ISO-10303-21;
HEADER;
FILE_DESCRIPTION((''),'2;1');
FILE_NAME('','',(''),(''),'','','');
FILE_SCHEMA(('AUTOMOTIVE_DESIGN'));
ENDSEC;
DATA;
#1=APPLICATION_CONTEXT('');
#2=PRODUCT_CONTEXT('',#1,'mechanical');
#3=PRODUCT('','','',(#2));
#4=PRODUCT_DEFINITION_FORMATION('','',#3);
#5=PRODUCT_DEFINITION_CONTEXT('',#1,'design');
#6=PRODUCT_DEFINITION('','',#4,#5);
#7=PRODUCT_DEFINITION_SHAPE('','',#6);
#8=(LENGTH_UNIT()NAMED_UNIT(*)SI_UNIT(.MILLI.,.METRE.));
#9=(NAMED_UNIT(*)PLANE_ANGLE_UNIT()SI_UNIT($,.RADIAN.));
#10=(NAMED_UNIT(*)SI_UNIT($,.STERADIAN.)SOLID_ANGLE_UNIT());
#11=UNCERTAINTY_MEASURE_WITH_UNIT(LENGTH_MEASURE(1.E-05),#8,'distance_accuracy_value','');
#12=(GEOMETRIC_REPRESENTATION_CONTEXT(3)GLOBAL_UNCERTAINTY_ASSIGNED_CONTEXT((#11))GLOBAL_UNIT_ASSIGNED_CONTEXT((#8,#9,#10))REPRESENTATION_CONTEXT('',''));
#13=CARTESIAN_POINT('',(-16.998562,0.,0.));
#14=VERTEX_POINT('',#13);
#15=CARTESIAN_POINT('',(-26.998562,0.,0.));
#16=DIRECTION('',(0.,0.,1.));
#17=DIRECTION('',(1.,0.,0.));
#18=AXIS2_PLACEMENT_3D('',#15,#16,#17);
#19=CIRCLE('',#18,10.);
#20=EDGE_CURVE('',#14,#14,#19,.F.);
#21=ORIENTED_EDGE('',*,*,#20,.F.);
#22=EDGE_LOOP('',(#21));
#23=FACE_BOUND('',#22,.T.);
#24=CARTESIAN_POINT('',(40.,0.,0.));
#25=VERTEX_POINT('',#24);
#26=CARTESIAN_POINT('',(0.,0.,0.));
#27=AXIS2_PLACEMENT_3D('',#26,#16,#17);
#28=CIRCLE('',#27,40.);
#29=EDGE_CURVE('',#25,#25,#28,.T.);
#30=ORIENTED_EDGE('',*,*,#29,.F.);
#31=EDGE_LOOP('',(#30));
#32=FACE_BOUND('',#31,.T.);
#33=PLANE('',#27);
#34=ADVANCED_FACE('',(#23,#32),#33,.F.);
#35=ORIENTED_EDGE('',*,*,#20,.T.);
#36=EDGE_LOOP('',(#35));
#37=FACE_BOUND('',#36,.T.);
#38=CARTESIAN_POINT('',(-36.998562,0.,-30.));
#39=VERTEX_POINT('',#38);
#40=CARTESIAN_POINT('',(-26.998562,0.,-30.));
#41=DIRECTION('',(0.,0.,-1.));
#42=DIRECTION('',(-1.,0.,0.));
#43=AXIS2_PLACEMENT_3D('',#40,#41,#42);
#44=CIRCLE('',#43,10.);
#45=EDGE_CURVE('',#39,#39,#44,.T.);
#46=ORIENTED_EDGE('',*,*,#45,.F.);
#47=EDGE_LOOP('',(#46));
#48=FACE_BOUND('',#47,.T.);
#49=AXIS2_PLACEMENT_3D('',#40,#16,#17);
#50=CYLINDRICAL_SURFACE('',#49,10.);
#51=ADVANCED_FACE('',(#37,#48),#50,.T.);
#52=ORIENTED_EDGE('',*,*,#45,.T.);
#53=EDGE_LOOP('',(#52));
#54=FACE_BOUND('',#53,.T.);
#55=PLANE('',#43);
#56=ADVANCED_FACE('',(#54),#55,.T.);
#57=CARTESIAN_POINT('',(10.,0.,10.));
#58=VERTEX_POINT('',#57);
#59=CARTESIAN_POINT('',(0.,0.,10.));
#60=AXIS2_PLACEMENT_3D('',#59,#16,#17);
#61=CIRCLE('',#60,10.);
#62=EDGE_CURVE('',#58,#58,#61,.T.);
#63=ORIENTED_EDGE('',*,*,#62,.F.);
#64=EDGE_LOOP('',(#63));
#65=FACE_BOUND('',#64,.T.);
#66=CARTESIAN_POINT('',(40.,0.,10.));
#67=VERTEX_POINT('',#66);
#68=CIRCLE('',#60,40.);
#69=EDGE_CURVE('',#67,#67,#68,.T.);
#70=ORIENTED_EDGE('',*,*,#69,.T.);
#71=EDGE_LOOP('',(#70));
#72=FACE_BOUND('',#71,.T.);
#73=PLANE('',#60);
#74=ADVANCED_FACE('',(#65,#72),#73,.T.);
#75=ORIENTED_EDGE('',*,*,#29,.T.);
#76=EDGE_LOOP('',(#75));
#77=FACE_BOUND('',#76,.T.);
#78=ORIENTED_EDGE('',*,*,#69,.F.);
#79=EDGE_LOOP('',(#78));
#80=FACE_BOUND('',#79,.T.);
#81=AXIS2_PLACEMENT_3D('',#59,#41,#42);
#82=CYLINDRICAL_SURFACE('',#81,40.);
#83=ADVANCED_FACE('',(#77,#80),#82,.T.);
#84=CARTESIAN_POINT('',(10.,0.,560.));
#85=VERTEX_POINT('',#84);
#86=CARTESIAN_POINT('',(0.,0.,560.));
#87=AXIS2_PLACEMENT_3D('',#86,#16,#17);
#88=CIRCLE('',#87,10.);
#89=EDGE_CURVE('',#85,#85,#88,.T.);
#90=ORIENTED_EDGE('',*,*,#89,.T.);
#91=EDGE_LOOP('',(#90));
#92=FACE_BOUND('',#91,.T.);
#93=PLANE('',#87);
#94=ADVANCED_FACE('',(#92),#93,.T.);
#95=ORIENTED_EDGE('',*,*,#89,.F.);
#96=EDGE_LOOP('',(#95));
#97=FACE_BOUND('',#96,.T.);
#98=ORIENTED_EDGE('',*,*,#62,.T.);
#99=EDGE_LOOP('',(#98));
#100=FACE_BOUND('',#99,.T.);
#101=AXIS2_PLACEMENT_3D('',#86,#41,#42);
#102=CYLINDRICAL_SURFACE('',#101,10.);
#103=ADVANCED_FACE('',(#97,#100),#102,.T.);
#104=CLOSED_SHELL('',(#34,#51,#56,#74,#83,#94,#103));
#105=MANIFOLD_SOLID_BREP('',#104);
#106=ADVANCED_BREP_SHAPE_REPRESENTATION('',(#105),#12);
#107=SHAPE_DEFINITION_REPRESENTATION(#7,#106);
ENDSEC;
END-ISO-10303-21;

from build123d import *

# Parameters (mm, degrees)
SKETCH1_R           = 40
BOSS_EXTRUDE1_DEPTH = 10
SKETCH2_R           = 10
BOSS_EXTRUDE2_DEPTH = 550
SKETCH3_R           = 10
BOSS_EXTRUDE3_DEPTH = 30


with BuildPart() as part:
    # Sketch1 → Boss-Extrude1 (new body)
    with BuildSketch(Plane.XY):
        Circle(SKETCH1_R)
    extrude(amount=BOSS_EXTRUDE1_DEPTH)

    # Sketch2 → Boss-Extrude2 (add)
    with BuildSketch(Plane.XY.offset(10)):
        Circle(SKETCH2_R)
    extrude(amount=BOSS_EXTRUDE2_DEPTH)

    # Sketch3 → Boss-Extrude3 (add)
    with BuildSketch(Plane(origin=(0, 0, 0), x_dir=(-1, 0, 0), z_dir=(0, 0, -1))):
        with Locations((26.998561916, 0)):
            Circle(SKETCH3_R)
    extrude(amount=BOSS_EXTRUDE3_DEPTH)


solid = part.part
